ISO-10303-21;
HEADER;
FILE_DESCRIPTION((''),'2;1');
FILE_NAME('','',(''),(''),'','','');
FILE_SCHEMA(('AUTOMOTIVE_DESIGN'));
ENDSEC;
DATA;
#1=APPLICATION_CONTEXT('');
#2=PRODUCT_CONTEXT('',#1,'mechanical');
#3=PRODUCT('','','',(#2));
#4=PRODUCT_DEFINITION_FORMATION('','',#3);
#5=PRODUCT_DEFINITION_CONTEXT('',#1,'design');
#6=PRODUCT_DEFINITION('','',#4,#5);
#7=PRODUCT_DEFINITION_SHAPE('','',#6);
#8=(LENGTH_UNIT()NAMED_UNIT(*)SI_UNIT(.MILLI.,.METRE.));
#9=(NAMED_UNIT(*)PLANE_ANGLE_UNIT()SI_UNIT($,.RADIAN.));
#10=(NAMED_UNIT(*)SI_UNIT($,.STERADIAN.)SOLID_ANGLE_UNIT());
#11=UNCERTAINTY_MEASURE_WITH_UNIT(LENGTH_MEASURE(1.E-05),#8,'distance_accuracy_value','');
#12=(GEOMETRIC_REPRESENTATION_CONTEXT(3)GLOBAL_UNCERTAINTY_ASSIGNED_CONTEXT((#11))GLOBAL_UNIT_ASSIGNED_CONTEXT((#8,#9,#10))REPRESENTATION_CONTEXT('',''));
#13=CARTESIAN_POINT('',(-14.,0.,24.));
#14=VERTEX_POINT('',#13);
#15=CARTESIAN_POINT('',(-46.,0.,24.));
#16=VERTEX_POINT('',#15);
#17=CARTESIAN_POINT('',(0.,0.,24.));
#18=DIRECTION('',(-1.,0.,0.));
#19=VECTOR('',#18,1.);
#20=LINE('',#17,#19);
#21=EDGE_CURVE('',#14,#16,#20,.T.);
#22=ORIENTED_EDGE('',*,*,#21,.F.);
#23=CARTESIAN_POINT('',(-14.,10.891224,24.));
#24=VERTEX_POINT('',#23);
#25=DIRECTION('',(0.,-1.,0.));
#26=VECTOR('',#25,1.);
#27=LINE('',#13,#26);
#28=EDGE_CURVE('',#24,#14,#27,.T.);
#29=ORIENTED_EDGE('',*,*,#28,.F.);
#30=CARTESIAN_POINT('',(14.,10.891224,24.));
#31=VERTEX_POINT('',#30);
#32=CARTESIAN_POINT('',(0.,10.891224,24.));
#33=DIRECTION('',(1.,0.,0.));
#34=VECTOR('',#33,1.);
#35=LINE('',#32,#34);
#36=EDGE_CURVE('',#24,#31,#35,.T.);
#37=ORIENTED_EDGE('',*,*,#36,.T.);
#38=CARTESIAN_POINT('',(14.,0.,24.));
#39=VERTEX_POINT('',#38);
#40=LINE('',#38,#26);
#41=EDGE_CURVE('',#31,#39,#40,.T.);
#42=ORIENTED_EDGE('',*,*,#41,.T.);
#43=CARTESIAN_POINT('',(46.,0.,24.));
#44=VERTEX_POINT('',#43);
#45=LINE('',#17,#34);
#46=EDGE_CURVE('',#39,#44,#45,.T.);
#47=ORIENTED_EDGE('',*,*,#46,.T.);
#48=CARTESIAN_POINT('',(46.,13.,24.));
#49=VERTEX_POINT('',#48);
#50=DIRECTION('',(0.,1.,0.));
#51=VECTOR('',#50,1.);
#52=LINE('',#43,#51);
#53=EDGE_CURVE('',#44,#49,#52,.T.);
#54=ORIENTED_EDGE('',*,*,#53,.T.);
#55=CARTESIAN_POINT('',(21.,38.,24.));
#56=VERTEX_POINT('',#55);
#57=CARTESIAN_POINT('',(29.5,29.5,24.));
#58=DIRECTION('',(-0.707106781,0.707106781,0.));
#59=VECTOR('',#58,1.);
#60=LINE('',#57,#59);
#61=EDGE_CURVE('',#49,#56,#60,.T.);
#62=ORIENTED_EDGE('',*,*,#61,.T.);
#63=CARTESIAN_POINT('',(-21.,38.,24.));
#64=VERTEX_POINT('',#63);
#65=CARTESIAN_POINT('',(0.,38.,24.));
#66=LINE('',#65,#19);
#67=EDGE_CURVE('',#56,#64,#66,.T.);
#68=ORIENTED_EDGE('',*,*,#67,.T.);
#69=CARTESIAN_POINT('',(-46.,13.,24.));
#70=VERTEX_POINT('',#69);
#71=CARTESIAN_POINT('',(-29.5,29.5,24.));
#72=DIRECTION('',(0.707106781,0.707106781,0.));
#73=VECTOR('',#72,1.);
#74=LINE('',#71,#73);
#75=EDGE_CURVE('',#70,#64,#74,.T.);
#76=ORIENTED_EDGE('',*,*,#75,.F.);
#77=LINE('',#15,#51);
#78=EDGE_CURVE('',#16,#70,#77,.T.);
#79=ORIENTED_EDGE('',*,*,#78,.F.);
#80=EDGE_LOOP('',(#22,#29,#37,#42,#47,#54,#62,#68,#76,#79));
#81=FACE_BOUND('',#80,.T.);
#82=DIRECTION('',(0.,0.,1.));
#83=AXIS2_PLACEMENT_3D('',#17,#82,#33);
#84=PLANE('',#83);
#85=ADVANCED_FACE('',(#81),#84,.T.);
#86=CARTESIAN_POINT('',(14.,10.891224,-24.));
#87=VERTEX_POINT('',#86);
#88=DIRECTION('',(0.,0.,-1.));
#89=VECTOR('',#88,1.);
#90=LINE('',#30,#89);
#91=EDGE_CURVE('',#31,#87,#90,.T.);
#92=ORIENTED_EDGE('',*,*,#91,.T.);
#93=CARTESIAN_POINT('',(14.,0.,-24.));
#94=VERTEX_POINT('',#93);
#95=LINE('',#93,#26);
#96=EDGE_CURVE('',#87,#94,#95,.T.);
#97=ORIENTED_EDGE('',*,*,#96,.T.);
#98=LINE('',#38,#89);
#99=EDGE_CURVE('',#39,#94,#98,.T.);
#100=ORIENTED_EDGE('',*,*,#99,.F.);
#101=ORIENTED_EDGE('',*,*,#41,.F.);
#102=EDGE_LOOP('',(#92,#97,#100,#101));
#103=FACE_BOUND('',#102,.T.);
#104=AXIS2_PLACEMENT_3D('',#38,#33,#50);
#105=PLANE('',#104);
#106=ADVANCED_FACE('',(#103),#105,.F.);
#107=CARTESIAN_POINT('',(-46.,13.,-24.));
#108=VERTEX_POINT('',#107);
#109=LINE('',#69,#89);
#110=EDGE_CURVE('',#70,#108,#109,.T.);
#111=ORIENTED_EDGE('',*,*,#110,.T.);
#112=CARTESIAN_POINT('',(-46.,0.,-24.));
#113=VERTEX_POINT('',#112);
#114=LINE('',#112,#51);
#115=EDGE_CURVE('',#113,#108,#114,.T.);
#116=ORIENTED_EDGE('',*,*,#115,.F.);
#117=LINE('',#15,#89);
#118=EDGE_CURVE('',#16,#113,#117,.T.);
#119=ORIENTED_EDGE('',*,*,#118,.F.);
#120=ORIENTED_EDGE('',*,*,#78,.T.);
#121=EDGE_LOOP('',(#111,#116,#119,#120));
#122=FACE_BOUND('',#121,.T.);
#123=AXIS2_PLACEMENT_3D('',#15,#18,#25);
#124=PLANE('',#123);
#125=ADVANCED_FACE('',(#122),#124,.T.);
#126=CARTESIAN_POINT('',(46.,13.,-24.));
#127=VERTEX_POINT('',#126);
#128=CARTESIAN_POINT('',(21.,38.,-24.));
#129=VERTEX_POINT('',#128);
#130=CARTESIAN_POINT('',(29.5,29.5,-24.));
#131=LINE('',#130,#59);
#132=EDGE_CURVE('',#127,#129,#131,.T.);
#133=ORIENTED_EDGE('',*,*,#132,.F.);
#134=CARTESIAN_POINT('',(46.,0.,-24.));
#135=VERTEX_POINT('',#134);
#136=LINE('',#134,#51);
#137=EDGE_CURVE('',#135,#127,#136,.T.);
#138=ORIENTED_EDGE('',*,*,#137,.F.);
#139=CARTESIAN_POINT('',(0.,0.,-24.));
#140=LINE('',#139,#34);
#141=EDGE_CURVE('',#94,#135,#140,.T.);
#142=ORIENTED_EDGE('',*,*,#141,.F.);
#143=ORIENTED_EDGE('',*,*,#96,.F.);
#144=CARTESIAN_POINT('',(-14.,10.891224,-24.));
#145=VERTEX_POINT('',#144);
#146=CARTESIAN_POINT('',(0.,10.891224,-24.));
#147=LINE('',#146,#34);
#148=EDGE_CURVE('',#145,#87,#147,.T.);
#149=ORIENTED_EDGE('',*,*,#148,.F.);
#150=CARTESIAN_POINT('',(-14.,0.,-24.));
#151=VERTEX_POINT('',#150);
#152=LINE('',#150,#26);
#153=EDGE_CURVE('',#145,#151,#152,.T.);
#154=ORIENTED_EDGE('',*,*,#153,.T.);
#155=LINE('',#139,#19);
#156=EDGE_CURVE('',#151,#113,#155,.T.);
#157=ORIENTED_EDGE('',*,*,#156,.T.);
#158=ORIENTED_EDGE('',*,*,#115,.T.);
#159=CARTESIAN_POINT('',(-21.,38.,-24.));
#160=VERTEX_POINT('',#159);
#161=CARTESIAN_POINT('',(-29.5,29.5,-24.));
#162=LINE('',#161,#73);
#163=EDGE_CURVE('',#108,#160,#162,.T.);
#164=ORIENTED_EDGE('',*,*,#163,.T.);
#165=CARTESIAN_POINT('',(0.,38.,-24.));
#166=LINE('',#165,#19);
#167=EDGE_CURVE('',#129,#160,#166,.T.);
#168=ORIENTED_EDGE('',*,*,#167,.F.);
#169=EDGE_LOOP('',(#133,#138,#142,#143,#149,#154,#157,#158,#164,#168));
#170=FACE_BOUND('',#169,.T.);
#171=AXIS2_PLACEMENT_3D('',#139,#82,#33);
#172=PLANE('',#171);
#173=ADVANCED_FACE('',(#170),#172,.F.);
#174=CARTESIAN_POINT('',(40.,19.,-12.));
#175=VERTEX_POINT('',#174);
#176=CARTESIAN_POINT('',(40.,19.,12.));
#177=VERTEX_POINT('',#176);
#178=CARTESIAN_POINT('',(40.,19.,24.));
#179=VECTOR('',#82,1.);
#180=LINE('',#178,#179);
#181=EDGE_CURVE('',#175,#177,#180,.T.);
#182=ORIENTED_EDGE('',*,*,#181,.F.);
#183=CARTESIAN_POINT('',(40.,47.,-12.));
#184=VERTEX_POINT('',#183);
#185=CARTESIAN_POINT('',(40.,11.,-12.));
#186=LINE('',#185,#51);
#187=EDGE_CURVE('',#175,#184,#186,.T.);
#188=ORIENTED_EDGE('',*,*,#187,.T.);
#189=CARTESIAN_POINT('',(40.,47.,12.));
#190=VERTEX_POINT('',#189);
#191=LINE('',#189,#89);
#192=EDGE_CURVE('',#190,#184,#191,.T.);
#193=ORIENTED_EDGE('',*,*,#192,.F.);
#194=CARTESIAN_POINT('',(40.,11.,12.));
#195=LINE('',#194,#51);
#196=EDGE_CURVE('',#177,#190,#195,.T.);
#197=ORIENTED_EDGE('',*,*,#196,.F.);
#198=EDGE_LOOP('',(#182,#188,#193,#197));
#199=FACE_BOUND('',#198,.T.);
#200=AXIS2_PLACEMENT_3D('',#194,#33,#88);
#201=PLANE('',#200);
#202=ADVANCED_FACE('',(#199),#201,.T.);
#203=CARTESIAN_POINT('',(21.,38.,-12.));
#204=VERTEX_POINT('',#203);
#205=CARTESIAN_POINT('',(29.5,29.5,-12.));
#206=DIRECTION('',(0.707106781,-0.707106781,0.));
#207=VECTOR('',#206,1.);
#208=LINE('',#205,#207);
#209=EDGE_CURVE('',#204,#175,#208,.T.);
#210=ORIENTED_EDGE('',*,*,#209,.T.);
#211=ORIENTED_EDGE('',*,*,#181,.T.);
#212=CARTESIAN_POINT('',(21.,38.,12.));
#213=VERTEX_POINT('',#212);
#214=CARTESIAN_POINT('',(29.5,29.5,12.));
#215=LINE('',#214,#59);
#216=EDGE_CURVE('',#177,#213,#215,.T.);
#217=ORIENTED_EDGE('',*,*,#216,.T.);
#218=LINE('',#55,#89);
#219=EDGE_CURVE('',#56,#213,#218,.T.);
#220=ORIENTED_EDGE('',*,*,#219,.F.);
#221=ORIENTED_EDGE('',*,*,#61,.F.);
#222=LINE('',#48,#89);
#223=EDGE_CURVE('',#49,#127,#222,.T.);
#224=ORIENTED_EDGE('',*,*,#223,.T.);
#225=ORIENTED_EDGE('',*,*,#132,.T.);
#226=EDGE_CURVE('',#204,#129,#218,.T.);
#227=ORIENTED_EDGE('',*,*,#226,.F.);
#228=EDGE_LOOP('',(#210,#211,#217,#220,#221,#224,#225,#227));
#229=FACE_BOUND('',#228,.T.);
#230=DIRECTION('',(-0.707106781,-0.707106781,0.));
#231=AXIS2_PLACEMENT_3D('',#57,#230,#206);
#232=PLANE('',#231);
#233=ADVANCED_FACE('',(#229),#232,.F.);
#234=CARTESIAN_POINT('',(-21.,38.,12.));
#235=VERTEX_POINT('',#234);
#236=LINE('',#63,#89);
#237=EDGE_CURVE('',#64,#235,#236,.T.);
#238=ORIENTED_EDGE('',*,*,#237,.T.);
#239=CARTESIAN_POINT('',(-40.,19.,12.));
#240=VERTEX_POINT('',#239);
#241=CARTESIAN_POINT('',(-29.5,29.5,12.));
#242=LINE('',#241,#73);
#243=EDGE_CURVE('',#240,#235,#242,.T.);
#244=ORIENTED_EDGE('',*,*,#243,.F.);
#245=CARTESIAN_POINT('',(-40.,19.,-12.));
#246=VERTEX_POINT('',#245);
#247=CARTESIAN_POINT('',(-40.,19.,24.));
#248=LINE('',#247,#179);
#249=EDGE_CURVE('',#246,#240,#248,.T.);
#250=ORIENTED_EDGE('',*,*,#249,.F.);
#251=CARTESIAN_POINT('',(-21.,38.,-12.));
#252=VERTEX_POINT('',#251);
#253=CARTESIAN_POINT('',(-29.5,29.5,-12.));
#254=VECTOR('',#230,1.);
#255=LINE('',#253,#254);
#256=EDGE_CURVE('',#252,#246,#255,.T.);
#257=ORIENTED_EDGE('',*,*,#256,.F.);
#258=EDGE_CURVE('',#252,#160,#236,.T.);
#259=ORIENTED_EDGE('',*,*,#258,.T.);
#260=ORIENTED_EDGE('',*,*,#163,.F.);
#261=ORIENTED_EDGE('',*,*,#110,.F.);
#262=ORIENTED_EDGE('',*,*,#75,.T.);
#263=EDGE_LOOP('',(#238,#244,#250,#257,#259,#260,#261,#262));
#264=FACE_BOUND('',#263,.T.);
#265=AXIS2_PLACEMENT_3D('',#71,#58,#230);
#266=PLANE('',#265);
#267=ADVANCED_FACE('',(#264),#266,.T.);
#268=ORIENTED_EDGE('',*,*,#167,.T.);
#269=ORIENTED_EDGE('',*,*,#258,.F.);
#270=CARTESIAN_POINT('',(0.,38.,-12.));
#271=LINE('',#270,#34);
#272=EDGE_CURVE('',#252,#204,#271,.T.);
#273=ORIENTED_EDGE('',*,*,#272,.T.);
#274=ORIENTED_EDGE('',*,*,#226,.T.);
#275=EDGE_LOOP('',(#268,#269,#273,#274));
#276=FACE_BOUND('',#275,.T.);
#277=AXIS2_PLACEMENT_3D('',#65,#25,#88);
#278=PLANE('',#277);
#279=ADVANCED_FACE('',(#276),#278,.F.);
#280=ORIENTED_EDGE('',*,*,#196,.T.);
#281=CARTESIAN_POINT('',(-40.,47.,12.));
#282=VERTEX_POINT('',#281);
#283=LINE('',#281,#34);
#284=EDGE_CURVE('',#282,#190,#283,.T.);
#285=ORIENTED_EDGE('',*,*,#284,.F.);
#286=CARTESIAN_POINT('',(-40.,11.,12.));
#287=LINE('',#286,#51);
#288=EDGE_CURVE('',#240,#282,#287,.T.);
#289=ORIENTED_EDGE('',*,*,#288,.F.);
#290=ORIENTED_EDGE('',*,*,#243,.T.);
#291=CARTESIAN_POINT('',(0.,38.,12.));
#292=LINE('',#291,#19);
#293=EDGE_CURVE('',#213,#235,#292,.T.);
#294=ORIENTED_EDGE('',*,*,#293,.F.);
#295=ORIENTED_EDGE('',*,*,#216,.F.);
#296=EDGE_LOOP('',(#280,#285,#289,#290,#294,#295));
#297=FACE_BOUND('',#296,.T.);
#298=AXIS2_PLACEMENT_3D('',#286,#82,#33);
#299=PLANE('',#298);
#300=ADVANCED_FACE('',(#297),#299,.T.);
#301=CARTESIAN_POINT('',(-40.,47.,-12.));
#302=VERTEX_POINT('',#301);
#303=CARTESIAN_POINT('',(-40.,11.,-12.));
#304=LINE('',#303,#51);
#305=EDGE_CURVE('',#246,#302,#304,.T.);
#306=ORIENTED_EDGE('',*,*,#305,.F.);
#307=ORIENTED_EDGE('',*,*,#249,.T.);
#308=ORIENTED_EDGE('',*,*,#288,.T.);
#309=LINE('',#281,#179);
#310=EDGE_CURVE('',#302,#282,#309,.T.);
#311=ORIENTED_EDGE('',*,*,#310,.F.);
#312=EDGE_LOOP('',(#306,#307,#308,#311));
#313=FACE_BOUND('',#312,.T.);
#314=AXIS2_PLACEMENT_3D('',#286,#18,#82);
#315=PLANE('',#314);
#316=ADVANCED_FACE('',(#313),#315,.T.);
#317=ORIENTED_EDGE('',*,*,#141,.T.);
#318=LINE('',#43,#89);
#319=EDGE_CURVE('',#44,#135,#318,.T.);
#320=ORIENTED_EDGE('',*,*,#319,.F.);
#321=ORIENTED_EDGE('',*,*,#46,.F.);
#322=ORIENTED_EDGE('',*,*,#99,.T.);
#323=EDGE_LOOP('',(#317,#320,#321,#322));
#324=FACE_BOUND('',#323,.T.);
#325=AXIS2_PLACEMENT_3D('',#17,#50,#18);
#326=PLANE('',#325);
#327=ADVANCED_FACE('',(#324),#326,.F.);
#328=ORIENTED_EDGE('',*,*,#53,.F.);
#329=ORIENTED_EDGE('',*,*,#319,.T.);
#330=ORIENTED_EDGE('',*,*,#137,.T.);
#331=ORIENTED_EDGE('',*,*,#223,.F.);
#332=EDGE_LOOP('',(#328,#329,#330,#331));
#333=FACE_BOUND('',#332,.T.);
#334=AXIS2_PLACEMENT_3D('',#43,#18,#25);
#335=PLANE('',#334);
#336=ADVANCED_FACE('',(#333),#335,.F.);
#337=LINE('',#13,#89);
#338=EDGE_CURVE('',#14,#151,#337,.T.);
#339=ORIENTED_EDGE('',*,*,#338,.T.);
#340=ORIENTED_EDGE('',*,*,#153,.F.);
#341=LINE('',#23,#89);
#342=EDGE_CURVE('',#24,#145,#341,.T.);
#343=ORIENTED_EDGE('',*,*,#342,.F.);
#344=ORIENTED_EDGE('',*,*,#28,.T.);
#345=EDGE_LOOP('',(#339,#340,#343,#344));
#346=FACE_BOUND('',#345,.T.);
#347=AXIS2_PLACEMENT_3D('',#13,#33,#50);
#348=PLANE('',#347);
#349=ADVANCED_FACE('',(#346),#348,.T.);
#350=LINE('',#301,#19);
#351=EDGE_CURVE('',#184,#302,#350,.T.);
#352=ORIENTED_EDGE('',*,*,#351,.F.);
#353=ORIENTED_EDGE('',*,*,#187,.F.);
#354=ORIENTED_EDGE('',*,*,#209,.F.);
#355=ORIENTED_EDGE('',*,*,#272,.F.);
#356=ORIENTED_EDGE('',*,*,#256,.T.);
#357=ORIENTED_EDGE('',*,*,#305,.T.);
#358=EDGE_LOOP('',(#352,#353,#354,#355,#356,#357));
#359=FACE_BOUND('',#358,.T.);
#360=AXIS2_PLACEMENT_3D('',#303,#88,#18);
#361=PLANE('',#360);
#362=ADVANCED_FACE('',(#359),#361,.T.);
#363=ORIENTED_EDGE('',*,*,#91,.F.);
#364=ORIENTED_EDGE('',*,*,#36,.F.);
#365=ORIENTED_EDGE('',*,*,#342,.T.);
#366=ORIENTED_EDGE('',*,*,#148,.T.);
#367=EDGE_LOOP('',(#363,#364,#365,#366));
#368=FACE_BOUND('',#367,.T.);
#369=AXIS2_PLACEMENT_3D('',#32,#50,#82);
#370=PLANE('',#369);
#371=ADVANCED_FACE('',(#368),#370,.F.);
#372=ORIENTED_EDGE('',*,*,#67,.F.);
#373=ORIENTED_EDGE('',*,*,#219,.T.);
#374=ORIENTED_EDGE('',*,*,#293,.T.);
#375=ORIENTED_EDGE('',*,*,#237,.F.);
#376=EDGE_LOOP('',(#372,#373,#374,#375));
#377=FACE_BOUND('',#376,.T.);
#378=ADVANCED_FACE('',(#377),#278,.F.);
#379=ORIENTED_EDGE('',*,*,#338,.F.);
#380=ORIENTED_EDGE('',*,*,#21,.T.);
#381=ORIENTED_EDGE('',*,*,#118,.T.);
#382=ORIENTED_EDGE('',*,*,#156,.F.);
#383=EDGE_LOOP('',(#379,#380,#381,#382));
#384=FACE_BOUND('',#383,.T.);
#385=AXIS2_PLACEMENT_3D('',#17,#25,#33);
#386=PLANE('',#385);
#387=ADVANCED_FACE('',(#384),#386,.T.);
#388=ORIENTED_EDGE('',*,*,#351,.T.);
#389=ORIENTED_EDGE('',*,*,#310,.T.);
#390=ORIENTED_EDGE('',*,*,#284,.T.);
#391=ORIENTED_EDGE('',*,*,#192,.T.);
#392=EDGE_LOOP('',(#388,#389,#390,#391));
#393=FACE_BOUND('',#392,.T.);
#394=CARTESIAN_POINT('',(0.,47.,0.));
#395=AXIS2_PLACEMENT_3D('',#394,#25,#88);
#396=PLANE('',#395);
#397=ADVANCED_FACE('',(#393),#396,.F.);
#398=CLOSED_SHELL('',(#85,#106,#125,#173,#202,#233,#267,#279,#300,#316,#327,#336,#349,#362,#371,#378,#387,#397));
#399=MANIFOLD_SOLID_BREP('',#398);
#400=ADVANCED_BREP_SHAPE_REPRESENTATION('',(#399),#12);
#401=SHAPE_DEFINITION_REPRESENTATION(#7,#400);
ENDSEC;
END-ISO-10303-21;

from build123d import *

# Parameters (mm, degrees)
BOSS_EXTRUDE1_DEPTH = 24
BOSS_EXTRUDE2_START = 47
SKETCH2_W           = 80
SKETCH2_H           = 24
BOSS_EXTRUDE2_DEPTH = 36


with BuildPart() as part:
    # Sketch1 → Boss-Extrude1 (new, symmetric)
    with BuildSketch(Plane.XY):
        Polygon((-14, 10.891224152), (0, 10.891224152), (0, 38), (-21, 38), (-46, 13), (-46, 0), (-14, 0), align=None)
        Polygon((14, 10.891224152), (14, 0), (46, 0), (46, 13), (21, 38), (0, 38), (0, 10.891224152), align=None)
    extrude(amount=BOSS_EXTRUDE1_DEPTH, both=True)

    # Sketch2 → Boss-Extrude2 (add)
    with BuildSketch(Plane(origin=(0, 0, 0), x_dir=(1, 0, 0), z_dir=(0, 1, 0)).offset(BOSS_EXTRUDE2_START)):
        Rectangle(SKETCH2_W, SKETCH2_H)
    extrude(amount=-BOSS_EXTRUDE2_DEPTH)


solid = part.part
